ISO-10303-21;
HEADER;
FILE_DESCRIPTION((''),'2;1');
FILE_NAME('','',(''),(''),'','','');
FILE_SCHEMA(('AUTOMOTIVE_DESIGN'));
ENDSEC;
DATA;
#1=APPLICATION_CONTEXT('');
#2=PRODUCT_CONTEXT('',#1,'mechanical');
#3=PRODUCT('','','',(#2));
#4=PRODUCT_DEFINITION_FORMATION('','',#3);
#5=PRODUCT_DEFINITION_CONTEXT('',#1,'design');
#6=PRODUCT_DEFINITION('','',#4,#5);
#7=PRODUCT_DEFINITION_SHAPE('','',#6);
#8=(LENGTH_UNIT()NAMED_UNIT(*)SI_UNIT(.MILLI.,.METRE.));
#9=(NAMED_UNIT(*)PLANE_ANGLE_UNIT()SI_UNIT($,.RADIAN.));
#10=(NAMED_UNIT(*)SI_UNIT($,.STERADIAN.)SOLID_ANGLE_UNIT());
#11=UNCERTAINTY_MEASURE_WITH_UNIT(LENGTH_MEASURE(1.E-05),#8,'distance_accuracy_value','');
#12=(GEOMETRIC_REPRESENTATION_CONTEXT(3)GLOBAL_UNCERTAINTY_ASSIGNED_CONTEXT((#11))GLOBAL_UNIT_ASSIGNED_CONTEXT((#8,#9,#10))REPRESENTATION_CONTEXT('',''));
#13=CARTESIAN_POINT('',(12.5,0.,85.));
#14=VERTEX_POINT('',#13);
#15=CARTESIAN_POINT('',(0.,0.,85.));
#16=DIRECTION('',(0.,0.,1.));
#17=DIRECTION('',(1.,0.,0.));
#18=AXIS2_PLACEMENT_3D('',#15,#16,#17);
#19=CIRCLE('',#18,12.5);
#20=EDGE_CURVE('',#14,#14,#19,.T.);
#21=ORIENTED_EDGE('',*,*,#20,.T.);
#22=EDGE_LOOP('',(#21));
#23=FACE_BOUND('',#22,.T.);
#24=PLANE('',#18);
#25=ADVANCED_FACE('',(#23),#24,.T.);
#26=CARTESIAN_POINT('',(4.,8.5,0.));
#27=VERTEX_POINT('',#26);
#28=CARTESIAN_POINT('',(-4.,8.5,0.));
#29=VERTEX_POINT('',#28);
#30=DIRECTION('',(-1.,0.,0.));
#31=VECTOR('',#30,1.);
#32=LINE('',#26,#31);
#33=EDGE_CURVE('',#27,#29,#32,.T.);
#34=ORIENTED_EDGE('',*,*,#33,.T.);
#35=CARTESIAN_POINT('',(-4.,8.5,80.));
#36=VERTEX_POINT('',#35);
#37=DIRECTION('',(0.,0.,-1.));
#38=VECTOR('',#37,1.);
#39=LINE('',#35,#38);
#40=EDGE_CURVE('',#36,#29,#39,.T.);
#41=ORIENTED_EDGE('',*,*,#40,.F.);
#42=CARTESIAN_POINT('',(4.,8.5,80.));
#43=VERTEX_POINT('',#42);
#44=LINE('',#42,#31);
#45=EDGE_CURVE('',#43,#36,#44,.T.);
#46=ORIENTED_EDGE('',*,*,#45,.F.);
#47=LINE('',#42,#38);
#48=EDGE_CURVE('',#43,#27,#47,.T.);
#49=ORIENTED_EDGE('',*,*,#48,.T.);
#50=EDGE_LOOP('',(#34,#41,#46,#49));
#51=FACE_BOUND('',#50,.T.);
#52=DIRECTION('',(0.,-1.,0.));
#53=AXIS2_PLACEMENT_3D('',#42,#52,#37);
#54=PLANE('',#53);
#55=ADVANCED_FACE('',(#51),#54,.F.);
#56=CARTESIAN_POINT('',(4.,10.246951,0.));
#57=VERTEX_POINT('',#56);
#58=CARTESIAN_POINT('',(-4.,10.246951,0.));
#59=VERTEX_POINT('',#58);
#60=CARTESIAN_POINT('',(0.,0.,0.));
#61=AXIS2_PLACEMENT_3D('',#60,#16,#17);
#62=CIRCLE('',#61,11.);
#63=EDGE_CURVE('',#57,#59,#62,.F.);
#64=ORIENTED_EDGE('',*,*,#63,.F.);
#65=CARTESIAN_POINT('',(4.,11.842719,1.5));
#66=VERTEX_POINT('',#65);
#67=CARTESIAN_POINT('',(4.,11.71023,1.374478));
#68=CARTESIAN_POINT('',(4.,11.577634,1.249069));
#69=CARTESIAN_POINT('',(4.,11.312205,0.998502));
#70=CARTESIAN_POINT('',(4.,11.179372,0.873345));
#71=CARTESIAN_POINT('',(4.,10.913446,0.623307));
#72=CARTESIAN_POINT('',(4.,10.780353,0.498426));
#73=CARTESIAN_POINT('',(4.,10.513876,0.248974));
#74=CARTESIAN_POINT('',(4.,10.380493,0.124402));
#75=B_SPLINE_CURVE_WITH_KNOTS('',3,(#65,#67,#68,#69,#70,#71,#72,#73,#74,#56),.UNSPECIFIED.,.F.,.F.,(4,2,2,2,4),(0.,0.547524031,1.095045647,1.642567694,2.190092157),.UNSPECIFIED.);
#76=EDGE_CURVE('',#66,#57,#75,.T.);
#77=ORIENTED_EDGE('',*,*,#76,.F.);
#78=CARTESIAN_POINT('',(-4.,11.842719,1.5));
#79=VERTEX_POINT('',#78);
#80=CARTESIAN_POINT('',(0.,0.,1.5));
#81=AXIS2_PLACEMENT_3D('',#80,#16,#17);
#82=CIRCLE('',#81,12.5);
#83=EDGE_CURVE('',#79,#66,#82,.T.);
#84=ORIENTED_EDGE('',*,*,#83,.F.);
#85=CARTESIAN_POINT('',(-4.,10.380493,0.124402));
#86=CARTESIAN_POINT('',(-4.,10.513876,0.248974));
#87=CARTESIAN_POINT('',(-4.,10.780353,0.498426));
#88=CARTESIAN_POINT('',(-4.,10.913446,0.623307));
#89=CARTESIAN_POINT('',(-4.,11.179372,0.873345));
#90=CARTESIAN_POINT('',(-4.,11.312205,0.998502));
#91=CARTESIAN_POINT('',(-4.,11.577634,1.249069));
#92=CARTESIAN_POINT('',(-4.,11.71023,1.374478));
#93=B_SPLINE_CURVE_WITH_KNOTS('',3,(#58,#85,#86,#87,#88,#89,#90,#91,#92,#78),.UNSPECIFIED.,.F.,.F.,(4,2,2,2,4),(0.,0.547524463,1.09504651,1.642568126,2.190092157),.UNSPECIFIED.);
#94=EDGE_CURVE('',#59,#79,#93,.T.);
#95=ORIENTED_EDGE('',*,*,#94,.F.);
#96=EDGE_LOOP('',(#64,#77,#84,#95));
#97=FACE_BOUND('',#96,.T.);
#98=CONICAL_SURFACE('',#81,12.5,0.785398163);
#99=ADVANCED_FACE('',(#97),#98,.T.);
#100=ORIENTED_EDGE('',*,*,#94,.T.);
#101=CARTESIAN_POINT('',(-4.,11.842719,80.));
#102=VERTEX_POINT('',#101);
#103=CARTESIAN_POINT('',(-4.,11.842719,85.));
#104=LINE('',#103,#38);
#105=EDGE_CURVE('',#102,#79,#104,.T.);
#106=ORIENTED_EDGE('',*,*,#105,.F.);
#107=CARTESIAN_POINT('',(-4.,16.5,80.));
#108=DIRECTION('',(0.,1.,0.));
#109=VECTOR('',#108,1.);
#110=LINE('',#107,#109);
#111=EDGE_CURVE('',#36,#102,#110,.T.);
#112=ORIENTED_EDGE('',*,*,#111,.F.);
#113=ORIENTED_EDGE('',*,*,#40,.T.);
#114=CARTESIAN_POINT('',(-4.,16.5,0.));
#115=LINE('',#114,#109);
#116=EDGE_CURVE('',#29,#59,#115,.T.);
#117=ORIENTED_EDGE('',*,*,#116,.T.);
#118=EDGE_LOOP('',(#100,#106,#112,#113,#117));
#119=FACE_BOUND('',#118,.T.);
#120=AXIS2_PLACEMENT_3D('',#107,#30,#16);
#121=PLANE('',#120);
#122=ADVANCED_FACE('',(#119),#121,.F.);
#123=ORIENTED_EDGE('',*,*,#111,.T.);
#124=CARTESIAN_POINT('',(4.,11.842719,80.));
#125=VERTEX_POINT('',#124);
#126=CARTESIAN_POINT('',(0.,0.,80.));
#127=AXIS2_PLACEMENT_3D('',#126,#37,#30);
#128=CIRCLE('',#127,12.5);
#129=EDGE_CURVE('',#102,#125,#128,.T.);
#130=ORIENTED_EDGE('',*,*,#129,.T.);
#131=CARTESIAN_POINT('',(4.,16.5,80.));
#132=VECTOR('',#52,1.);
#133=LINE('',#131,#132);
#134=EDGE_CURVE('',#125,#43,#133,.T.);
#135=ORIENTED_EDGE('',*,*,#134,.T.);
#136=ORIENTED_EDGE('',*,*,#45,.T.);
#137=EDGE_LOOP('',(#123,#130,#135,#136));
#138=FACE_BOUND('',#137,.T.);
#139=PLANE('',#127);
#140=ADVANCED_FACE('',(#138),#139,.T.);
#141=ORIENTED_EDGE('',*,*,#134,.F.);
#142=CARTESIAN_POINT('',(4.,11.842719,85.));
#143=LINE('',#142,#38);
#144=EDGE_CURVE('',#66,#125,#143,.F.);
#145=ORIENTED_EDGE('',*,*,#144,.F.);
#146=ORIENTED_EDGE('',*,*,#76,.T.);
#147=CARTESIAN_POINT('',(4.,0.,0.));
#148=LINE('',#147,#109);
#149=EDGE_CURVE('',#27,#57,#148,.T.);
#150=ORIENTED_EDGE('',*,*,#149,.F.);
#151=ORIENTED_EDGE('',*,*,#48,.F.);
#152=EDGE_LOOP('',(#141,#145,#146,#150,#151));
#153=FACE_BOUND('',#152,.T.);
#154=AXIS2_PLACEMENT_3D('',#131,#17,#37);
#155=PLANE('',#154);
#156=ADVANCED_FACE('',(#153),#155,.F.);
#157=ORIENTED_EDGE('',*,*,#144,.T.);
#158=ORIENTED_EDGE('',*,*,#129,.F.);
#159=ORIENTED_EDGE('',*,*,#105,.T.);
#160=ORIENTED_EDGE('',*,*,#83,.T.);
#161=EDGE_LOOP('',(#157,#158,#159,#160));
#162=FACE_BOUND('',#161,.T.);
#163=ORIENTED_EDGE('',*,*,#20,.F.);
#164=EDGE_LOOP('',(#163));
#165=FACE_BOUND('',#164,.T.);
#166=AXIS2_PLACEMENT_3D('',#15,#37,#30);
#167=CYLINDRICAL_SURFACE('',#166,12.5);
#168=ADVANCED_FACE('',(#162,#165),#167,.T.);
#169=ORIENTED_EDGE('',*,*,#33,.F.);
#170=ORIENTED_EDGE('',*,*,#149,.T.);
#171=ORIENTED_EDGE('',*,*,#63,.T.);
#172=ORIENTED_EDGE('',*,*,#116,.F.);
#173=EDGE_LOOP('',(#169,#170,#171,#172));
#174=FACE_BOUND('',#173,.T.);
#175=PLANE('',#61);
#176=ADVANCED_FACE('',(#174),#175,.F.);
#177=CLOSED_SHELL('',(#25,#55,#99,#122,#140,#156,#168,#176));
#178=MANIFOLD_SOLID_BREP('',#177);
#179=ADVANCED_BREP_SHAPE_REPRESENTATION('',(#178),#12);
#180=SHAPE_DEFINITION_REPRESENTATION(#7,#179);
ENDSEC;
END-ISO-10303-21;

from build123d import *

# Parameters (mm, degrees)
SKETCH1_R           = 12.5
BOSS_EXTRUDE1_DEPTH = 85
SKETCH2_W           = 8
SKETCH2_H           = 8
CUT_EXTRUDE1_DEPTH  = 80
CHAMFER1_SIZE       = 1.5


with BuildPart() as part:
    # Sketch1 → Boss-Extrude1 (new body)
    with BuildSketch(Plane.XY):
        Circle(SKETCH1_R)
    extrude(amount=BOSS_EXTRUDE1_DEPTH)

    # Sketch2 → Cut-Extrude1 (cut)
    with BuildSketch(Plane(origin=(0, 0, 0), x_dir=(-1, 0, 0), z_dir=(0, 0, -1))):
        with Locations((0, 12.5)):
            Rectangle(SKETCH2_W, SKETCH2_H)
    extrude(amount=-CUT_EXTRUDE1_DEPTH, mode=Mode.SUBTRACT)

    # Chamfer1
    chamfer1_edges = [part.edges().sort_by_distance(p)[0] for p in [
        (-7.288689869, -10.155048006, 0),
    ]]
    chamfer(chamfer1_edges, length=CHAMFER1_SIZE)


solid = part.part
